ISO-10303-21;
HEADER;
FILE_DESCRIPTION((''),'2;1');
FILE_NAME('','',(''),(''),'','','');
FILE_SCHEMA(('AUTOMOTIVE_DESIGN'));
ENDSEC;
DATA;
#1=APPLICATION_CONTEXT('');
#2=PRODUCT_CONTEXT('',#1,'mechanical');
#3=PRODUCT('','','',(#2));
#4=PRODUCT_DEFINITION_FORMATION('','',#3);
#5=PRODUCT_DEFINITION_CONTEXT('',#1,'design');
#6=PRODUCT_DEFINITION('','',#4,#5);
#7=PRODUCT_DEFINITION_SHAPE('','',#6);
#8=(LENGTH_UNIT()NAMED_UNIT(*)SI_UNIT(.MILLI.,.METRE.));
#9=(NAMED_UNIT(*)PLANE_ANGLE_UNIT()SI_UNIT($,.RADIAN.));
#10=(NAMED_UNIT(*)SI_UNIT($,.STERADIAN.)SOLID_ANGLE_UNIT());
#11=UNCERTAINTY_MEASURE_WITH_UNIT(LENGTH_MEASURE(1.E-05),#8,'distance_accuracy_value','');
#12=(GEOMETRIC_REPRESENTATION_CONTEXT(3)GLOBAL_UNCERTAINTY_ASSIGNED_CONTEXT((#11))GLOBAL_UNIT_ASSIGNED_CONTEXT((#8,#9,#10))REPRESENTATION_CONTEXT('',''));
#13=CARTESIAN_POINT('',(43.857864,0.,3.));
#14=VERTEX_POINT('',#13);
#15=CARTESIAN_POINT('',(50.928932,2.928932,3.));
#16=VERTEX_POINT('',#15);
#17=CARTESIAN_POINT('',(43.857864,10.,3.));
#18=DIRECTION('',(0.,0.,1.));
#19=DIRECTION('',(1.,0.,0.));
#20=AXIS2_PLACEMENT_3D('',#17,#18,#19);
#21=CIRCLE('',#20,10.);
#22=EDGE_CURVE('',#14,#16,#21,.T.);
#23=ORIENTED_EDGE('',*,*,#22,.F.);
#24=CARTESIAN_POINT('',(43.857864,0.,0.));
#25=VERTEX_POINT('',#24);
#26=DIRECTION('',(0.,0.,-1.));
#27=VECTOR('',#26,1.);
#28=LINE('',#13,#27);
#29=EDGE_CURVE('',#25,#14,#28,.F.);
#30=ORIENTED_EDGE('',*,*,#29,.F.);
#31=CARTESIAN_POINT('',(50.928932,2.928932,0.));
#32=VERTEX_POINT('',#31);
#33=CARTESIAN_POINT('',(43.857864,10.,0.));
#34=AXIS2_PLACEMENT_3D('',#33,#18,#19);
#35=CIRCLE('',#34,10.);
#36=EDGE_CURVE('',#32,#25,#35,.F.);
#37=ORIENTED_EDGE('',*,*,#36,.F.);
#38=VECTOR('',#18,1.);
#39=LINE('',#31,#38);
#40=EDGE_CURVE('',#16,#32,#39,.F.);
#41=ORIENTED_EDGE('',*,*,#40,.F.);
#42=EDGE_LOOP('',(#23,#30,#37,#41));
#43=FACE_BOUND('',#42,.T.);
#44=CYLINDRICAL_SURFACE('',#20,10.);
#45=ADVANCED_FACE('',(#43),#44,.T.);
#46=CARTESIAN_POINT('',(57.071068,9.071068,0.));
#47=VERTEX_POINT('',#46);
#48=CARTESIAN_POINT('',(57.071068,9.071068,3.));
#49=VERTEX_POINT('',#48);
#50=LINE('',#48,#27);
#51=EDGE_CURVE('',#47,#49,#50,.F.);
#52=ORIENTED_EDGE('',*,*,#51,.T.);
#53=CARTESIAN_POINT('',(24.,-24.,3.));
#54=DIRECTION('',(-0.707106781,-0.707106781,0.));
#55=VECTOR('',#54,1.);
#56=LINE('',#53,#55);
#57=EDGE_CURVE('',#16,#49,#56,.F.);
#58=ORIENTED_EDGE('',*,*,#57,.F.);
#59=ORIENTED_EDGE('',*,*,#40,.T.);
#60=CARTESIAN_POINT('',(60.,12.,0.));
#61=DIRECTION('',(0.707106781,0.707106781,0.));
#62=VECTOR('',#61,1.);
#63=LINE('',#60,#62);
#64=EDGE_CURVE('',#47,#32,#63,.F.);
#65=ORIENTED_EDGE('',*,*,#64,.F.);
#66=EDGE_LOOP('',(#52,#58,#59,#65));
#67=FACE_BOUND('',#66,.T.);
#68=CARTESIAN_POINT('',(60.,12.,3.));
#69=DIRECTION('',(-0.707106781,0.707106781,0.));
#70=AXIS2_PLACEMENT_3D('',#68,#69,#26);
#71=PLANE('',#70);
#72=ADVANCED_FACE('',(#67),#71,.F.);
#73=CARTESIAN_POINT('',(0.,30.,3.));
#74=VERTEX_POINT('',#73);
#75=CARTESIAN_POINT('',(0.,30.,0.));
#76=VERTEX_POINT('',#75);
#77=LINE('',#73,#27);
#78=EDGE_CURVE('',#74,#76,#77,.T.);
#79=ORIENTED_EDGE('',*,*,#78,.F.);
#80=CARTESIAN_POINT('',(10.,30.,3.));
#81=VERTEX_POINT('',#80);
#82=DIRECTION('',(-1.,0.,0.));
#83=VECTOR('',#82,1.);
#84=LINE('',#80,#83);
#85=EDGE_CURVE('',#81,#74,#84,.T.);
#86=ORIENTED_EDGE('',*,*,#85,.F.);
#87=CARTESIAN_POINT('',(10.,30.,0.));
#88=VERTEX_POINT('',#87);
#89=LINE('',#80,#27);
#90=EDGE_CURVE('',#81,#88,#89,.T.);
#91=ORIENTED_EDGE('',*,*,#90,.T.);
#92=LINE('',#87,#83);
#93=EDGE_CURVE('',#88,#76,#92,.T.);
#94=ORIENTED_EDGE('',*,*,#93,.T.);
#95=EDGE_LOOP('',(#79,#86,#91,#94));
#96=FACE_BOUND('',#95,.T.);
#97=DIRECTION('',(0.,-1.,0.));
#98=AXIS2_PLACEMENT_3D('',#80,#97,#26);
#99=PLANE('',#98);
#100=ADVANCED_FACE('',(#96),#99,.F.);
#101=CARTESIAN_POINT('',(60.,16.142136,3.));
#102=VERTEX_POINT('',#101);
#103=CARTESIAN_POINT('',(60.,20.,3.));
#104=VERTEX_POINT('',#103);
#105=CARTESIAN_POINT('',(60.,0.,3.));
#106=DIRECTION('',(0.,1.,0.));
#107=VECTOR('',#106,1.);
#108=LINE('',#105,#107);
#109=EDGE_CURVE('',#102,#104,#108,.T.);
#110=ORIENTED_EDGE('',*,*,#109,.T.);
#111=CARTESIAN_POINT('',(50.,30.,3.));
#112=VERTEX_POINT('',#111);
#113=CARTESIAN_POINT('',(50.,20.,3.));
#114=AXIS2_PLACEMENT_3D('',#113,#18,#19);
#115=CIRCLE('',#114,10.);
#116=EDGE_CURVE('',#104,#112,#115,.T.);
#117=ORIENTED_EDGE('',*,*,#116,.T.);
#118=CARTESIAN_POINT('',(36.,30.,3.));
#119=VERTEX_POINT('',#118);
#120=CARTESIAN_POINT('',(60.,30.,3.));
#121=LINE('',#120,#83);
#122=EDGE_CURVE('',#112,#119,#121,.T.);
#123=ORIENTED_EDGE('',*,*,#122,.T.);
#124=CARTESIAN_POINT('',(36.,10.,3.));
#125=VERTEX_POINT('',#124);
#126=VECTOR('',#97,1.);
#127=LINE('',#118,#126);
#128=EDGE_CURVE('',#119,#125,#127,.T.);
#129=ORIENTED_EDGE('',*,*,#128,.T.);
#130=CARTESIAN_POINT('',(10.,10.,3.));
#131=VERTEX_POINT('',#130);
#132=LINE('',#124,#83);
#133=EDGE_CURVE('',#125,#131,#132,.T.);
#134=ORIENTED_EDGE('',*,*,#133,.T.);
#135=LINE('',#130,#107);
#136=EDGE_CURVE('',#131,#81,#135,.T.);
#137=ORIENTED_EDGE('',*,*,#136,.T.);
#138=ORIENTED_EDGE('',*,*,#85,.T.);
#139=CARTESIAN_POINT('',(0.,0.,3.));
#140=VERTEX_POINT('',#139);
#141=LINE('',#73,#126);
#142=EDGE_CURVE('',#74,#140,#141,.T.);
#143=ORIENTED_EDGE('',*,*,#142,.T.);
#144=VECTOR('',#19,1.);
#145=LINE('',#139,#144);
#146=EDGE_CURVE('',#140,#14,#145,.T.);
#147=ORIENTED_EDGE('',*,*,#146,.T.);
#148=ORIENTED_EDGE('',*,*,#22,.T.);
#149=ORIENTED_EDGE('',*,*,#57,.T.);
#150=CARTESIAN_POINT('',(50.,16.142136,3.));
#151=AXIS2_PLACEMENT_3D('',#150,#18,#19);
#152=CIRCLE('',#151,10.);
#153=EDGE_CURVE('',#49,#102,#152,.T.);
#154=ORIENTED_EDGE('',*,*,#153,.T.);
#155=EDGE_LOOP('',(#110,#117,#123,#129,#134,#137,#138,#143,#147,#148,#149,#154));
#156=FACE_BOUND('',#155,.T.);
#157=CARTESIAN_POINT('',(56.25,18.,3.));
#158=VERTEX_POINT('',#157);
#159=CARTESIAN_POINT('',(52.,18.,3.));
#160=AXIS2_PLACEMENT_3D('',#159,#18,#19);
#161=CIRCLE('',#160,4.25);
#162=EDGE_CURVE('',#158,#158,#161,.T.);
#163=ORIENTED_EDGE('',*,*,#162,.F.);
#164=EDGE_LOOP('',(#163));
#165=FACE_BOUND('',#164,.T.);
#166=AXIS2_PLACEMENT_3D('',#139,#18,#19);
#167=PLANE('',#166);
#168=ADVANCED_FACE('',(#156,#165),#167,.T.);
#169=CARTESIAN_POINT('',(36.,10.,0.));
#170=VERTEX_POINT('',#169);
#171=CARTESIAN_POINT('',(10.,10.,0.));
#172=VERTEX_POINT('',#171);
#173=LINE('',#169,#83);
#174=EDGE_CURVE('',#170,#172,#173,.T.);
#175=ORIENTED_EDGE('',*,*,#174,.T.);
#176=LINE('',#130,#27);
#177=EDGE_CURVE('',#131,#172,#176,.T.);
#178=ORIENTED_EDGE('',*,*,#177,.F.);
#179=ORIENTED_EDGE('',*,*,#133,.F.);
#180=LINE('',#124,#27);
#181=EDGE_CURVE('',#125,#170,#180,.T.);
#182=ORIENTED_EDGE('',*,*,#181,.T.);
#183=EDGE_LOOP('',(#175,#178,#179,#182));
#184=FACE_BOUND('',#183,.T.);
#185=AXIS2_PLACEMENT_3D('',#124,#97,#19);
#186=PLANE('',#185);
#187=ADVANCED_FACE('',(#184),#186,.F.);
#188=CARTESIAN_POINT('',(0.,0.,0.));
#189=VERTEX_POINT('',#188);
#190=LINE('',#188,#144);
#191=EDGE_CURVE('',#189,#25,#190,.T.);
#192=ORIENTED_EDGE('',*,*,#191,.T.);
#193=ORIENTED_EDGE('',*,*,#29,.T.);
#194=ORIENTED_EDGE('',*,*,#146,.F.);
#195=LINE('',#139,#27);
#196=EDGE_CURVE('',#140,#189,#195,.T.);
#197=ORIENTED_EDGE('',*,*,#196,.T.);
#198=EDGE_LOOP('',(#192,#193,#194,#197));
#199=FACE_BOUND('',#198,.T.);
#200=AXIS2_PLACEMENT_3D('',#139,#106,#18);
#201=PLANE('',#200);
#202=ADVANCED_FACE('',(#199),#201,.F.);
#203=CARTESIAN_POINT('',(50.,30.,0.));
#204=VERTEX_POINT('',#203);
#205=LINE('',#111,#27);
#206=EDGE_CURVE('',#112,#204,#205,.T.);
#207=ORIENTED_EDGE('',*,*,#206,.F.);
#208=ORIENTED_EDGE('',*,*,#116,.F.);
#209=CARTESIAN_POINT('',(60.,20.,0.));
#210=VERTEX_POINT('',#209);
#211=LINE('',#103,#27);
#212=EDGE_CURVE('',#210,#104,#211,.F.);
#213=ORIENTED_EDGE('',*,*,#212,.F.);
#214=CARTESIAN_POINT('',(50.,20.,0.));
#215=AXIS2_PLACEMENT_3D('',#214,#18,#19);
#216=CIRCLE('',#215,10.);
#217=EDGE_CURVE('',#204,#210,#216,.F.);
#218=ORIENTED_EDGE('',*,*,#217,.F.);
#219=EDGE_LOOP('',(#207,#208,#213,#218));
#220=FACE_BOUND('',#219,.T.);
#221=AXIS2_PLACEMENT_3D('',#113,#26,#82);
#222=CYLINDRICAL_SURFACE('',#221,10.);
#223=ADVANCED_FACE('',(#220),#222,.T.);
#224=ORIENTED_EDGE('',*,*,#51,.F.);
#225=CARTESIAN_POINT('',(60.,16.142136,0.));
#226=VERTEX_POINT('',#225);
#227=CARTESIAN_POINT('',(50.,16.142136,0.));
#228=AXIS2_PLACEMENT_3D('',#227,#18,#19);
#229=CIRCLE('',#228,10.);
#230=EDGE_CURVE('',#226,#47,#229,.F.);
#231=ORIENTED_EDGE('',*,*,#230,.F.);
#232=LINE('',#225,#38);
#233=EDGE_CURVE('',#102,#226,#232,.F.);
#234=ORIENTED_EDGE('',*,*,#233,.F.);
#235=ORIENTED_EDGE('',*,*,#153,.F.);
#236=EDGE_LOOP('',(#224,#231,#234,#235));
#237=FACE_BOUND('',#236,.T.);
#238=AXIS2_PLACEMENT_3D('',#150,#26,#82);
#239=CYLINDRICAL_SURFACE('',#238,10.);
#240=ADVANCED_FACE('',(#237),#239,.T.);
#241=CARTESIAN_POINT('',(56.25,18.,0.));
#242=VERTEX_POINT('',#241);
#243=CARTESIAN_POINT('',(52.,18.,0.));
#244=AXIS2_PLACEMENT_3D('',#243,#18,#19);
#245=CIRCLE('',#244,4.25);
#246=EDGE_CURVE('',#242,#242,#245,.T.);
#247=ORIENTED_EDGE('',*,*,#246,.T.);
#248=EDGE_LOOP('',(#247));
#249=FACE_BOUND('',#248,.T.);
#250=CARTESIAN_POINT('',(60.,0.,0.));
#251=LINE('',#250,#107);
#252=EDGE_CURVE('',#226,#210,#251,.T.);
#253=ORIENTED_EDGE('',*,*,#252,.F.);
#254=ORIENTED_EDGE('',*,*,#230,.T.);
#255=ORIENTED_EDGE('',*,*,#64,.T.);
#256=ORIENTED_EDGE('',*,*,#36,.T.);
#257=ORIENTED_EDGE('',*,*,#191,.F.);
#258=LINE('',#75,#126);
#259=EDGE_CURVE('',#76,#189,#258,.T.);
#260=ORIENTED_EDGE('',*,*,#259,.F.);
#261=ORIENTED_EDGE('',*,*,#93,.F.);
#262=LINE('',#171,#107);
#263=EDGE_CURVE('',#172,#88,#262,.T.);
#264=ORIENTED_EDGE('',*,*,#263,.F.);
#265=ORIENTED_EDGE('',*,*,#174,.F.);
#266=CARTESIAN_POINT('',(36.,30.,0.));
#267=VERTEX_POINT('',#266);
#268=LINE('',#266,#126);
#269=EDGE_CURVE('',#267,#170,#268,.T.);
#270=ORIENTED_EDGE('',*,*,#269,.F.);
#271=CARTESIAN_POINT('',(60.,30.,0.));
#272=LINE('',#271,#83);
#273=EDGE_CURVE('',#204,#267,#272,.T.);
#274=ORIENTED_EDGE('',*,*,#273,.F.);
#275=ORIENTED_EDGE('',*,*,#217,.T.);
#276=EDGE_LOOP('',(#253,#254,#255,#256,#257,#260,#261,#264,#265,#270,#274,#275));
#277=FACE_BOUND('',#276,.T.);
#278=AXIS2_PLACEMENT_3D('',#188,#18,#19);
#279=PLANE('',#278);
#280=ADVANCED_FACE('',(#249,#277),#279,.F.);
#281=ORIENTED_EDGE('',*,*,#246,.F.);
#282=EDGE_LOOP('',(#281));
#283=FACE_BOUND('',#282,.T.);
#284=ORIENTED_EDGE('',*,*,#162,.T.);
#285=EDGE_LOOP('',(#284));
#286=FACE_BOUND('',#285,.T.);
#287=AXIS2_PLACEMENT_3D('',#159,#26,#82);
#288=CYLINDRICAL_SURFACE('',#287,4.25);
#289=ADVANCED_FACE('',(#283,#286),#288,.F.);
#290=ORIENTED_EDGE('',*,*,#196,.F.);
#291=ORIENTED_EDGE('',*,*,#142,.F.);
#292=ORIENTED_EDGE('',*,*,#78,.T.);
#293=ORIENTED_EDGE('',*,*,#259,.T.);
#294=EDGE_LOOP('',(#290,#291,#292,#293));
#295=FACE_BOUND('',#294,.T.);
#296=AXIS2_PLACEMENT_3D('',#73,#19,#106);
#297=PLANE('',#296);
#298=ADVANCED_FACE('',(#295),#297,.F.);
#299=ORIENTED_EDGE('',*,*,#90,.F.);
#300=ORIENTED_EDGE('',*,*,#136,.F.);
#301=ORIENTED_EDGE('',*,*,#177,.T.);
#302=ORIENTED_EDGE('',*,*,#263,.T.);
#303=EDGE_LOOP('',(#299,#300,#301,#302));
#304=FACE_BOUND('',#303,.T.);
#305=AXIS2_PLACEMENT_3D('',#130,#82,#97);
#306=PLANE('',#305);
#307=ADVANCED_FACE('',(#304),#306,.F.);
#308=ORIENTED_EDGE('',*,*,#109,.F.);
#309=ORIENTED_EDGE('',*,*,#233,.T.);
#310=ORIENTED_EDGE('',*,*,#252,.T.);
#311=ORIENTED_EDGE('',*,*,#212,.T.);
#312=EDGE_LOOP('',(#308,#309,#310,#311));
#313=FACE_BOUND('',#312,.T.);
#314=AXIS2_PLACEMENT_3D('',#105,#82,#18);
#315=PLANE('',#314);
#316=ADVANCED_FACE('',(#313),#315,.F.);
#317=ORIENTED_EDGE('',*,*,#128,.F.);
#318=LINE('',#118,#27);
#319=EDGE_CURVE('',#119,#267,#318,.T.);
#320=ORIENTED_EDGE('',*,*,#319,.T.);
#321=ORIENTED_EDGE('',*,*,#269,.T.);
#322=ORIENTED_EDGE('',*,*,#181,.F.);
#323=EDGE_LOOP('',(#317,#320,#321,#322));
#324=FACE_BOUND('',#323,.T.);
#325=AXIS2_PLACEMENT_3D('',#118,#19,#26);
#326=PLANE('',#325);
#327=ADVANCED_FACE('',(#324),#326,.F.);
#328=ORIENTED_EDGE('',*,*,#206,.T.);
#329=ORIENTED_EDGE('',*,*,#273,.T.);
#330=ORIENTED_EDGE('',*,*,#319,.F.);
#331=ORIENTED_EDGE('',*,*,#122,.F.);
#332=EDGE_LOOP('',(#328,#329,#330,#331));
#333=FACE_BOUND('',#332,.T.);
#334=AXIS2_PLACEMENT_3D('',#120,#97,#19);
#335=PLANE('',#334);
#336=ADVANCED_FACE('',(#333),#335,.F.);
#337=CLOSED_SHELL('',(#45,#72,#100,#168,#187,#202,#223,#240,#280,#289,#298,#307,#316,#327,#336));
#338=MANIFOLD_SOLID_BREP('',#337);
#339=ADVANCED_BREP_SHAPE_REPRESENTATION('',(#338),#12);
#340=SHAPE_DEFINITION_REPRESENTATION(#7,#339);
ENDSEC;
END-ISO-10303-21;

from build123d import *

# Parameters (mm, degrees)
SKETCH1_R           = 4.25
BOSS_EXTRUDE1_DEPTH = 3
CHAMFER1_SIZE       = 12
FILLET1_R           = 10
FILLET2_R           = 10


with BuildPart() as part:
    # Sketch1 → Boss-Extrude1 (new body)
    with BuildSketch(Plane.XY):
        Polygon((0, 30), (0, 0), (60, 0), (60, 30), (36, 30), (36, 10), (10, 10), (10, 30), align=None)
        with Locations((52, 18)):
            Circle(SKETCH1_R, mode=Mode.SUBTRACT)
    extrude(amount=BOSS_EXTRUDE1_DEPTH)

    # Chamfer1
    chamfer1_edges = [part.edges().sort_by_distance(p)[0] for p in [
        (60, 0, 1.5),
    ]]
    chamfer(chamfer1_edges, length=CHAMFER1_SIZE)

    # Fillet1
    fillet1_edges = [part.edges().sort_by_distance(p)[0] for p in [
        (60, 30, 1.5),
    ]]
    fillet(fillet1_edges, radius=FILLET1_R)

    # Fillet2
    fillet2_edges = [part.edges().sort_by_distance(p)[0] for p in [
        (60, 12, 1.5),
        (48, 0, 1.5),
    ]]
    fillet(fillet2_edges, radius=FILLET2_R)


solid = part.part
